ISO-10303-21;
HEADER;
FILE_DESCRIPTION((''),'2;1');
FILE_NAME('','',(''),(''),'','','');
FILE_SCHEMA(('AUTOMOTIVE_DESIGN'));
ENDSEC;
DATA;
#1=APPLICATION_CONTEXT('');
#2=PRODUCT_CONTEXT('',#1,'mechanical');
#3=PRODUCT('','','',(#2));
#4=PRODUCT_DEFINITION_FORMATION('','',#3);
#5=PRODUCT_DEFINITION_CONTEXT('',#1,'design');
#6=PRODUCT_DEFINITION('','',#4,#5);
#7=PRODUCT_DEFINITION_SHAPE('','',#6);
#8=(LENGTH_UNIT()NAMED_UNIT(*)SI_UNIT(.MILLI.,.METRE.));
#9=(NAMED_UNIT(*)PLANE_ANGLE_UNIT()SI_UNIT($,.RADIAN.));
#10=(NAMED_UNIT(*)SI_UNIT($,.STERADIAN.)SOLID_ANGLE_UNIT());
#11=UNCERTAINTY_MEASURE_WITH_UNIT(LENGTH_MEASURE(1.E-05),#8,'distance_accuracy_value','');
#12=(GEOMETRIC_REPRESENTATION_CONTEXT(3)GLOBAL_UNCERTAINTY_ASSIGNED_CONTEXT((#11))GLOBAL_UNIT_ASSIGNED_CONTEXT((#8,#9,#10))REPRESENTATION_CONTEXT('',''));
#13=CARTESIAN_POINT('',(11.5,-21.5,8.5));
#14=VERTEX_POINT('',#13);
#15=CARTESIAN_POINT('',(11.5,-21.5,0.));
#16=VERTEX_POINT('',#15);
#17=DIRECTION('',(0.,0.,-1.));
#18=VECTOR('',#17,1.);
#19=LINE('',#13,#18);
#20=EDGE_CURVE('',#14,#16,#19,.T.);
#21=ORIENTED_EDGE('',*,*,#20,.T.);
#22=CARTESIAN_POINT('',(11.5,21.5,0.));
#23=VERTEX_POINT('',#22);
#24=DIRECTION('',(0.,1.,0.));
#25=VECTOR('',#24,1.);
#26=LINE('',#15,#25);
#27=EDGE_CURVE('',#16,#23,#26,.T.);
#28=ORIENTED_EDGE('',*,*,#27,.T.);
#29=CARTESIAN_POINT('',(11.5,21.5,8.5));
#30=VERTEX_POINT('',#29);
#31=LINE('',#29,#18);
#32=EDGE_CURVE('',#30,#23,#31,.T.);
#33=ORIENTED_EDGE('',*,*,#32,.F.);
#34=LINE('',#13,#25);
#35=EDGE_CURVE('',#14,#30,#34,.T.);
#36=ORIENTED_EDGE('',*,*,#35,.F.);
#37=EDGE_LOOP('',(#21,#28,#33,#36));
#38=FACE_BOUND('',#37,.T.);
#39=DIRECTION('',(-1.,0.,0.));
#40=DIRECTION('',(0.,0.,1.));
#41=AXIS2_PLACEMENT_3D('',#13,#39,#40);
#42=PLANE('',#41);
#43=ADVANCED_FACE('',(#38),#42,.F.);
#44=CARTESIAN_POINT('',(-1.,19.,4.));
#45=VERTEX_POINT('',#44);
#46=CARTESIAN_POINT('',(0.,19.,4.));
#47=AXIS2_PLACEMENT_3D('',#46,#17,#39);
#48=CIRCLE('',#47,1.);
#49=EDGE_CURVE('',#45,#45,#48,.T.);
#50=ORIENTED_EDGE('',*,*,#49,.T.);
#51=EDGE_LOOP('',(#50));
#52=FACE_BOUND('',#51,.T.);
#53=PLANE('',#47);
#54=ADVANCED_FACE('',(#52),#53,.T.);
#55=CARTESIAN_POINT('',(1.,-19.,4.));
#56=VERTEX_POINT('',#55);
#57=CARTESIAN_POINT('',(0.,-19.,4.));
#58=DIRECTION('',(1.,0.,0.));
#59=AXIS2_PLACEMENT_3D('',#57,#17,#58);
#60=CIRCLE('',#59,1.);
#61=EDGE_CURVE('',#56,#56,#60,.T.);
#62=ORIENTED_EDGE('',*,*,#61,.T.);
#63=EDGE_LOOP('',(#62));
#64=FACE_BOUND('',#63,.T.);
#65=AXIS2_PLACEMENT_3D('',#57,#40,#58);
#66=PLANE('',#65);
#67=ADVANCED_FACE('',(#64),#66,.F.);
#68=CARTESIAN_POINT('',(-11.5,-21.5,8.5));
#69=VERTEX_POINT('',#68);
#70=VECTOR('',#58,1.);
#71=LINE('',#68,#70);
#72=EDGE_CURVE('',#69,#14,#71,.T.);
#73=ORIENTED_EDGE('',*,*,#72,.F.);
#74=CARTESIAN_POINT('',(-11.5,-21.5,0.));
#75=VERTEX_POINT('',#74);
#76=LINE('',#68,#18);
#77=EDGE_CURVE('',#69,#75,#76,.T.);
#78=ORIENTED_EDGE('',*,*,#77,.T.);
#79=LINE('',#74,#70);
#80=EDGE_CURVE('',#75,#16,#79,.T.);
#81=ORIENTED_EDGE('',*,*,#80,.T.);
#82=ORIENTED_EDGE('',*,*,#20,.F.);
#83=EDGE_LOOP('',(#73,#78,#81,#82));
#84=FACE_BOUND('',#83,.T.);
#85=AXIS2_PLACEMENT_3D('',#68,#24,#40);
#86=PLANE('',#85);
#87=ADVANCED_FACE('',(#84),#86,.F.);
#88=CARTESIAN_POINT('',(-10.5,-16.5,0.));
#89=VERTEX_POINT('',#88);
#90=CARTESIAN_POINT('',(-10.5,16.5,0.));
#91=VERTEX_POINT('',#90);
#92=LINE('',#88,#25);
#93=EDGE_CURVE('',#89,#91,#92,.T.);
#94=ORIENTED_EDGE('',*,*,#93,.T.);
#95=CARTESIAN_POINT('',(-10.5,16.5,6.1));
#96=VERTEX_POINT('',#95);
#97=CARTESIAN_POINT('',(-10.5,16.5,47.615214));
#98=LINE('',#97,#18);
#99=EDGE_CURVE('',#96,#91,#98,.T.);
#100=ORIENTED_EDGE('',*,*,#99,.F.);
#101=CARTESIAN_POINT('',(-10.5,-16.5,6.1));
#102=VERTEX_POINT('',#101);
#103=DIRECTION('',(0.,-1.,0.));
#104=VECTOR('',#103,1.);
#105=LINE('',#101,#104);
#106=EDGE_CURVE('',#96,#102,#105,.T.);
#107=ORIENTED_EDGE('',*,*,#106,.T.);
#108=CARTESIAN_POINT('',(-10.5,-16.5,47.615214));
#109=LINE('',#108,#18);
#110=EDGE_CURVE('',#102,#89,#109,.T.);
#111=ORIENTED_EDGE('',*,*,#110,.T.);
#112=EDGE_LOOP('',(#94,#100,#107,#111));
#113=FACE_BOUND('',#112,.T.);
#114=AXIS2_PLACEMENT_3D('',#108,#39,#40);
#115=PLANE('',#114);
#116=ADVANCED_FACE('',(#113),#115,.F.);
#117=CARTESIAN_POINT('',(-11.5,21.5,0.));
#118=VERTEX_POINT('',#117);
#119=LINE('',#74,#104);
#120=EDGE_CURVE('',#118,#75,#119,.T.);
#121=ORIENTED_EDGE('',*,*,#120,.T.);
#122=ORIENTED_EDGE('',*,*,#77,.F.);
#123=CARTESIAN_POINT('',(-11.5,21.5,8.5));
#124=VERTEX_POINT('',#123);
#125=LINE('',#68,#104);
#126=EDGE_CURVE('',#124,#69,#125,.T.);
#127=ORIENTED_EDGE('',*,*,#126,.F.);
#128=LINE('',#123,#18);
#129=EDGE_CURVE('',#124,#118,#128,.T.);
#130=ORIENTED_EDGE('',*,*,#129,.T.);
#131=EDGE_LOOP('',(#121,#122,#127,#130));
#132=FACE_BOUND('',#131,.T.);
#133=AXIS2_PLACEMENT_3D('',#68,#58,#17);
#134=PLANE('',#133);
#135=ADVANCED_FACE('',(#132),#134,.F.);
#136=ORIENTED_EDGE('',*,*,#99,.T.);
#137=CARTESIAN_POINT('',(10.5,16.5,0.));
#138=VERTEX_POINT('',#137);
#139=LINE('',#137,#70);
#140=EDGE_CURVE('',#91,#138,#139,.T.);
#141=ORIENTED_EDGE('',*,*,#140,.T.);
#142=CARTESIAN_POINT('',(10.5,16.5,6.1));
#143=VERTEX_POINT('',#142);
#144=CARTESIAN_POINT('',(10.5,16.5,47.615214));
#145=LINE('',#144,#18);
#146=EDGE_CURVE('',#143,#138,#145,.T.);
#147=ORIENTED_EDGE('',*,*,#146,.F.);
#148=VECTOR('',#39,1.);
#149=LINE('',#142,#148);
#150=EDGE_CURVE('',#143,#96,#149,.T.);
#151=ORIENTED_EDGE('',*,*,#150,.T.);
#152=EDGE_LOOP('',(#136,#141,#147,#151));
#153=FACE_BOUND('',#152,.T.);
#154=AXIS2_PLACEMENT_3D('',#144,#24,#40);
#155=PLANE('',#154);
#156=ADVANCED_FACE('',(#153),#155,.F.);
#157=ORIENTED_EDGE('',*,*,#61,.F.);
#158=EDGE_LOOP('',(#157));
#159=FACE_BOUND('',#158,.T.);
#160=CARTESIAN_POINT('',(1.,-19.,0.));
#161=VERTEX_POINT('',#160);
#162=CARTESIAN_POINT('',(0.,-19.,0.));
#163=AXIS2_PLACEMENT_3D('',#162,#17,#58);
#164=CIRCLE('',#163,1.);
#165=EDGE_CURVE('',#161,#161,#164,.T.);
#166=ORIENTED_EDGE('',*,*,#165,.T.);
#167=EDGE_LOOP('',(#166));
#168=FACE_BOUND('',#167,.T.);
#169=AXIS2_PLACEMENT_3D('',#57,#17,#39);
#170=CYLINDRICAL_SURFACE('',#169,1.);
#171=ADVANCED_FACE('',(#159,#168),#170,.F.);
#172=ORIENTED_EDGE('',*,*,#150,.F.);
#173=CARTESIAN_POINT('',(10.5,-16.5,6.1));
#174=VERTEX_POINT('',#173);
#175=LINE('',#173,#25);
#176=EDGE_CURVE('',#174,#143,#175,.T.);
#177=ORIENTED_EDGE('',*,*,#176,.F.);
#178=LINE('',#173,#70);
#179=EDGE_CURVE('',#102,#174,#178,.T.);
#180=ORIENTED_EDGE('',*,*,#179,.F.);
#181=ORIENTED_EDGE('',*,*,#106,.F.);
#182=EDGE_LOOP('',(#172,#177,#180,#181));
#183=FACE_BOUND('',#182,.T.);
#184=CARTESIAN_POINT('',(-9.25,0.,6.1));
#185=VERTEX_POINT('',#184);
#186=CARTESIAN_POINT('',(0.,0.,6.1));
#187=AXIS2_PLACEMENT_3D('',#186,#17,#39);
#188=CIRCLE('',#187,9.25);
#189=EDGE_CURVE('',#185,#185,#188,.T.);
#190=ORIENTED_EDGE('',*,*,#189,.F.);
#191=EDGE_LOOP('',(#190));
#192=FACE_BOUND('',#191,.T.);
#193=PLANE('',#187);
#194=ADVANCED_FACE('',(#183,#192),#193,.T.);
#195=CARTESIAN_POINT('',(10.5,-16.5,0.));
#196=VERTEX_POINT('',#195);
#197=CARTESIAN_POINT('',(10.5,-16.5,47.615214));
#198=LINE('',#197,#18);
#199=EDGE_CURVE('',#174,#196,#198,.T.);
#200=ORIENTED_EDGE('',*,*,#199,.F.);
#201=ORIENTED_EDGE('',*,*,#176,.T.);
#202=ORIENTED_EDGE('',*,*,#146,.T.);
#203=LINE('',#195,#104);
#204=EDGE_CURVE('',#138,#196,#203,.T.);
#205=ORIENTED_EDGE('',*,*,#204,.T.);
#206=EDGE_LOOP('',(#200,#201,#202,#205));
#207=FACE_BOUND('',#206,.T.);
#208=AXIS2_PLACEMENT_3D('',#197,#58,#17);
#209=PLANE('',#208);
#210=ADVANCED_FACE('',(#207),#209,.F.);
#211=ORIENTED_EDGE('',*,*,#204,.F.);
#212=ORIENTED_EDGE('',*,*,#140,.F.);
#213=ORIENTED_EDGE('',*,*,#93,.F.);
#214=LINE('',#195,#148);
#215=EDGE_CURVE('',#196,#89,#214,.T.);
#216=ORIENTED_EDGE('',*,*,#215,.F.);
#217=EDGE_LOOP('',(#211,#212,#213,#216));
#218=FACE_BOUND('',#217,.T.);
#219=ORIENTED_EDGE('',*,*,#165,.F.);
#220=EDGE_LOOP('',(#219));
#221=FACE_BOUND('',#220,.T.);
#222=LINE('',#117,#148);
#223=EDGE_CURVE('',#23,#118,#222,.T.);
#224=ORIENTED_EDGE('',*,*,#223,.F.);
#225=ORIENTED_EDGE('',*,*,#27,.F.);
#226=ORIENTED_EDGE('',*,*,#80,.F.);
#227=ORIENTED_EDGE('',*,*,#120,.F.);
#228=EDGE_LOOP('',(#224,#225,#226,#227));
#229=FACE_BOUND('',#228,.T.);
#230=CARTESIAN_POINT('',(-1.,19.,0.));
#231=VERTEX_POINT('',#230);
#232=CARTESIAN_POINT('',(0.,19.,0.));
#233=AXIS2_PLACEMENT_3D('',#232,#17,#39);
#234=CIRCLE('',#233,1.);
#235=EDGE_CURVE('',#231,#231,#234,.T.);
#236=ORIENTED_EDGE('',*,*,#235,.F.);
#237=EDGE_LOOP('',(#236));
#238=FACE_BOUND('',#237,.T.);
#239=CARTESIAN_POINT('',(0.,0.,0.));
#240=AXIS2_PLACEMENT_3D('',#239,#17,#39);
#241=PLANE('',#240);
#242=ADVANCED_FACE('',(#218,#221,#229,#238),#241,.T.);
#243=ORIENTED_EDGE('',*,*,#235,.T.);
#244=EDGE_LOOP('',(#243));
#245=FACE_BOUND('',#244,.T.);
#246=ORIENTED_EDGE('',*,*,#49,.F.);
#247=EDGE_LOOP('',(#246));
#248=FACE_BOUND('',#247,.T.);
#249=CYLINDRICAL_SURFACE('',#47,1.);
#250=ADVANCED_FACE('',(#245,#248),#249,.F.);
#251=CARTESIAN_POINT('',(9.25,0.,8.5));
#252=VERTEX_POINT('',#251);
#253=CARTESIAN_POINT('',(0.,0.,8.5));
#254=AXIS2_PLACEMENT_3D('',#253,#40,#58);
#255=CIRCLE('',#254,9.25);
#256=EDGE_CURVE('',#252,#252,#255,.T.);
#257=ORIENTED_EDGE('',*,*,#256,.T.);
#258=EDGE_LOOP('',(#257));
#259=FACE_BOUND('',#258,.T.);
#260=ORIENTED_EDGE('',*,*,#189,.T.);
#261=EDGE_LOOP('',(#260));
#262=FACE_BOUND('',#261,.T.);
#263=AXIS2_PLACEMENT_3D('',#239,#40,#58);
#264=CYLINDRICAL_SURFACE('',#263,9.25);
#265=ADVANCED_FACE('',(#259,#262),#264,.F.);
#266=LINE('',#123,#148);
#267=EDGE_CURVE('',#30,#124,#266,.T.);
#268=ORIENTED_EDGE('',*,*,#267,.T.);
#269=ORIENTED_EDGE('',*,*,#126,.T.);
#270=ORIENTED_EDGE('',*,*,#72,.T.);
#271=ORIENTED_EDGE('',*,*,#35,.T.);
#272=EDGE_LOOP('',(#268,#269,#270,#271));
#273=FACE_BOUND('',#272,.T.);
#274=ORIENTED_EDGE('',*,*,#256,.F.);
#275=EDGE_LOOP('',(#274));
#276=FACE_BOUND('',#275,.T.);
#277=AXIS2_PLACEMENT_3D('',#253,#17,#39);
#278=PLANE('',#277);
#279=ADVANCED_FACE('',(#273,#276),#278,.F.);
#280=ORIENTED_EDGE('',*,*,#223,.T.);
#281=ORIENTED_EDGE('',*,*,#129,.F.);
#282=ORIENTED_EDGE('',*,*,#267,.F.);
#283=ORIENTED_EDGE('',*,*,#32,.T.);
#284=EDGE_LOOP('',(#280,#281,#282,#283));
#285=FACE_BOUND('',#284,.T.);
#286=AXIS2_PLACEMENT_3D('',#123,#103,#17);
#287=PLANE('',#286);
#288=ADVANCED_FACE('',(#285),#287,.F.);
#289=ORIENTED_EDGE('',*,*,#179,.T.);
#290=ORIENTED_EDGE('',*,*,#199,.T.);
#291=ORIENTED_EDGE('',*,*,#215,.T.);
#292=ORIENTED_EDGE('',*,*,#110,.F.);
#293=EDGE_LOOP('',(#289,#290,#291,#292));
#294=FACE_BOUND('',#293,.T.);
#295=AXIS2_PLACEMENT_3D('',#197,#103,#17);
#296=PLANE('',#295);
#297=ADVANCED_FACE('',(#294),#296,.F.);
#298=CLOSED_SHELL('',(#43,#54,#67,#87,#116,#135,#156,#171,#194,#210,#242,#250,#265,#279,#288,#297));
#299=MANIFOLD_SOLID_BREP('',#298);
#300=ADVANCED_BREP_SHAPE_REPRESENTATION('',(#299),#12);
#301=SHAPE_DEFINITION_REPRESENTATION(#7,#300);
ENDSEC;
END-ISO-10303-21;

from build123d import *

# Parameters (mm, degrees)
ESBO_O1_W                = 23
ESBO_O1_H                = 43
RESSALTO_EXTRUS_O1_DEPTH = 8.5
ESBO_O2_W                = 21
ESBO_O2_H                = 33
CORTE_EXTRUS_O1_DEPTH    = 6.1
ESBO_O3_R                = 9.25
CORTE_EXTRUS_O2_DEPTH    = 26.821502667
ESBO_O4_R                = 1
CORTE_EXTRUS_O3_DEPTH    = 4


with BuildPart() as part:
    # Esboço1 → Ressalto-extrusão1 (new body)
    with BuildSketch(Plane.XY):
        Rectangle(ESBO_O1_W, ESBO_O1_H)
    extrude(amount=RESSALTO_EXTRUS_O1_DEPTH)

    # Esboço2 → Corte-extrusão1 (cut)
    with BuildSketch(Plane(origin=(0, 0, 0), x_dir=(-1, 0, 0), z_dir=(0, 0, -1))):
        Rectangle(ESBO_O2_W, ESBO_O2_H)
    extrude(amount=-CORTE_EXTRUS_O1_DEPTH, mode=Mode.SUBTRACT)

    # Esboço3 → Corte-extrusão2 (cut, through all)
    with BuildSketch(Plane.XY.offset(8.5)):
        Circle(ESBO_O3_R)
    extrude(amount=-CORTE_EXTRUS_O2_DEPTH, mode=Mode.SUBTRACT)

    # Esboço4 → Corte-extrusão3 (cut)
    with BuildSketch(Plane(origin=(0, 0, 0), x_dir=(-1, 0, 0), z_dir=(0, 0, -1))):
        with Locations((0, 19)):
            Circle(ESBO_O4_R)
        with Locations(Location((0, -19, 0), (0, 0, 180))):
            Circle(ESBO_O4_R)
    extrude(amount=-CORTE_EXTRUS_O3_DEPTH, mode=Mode.SUBTRACT)


solid = part.part
